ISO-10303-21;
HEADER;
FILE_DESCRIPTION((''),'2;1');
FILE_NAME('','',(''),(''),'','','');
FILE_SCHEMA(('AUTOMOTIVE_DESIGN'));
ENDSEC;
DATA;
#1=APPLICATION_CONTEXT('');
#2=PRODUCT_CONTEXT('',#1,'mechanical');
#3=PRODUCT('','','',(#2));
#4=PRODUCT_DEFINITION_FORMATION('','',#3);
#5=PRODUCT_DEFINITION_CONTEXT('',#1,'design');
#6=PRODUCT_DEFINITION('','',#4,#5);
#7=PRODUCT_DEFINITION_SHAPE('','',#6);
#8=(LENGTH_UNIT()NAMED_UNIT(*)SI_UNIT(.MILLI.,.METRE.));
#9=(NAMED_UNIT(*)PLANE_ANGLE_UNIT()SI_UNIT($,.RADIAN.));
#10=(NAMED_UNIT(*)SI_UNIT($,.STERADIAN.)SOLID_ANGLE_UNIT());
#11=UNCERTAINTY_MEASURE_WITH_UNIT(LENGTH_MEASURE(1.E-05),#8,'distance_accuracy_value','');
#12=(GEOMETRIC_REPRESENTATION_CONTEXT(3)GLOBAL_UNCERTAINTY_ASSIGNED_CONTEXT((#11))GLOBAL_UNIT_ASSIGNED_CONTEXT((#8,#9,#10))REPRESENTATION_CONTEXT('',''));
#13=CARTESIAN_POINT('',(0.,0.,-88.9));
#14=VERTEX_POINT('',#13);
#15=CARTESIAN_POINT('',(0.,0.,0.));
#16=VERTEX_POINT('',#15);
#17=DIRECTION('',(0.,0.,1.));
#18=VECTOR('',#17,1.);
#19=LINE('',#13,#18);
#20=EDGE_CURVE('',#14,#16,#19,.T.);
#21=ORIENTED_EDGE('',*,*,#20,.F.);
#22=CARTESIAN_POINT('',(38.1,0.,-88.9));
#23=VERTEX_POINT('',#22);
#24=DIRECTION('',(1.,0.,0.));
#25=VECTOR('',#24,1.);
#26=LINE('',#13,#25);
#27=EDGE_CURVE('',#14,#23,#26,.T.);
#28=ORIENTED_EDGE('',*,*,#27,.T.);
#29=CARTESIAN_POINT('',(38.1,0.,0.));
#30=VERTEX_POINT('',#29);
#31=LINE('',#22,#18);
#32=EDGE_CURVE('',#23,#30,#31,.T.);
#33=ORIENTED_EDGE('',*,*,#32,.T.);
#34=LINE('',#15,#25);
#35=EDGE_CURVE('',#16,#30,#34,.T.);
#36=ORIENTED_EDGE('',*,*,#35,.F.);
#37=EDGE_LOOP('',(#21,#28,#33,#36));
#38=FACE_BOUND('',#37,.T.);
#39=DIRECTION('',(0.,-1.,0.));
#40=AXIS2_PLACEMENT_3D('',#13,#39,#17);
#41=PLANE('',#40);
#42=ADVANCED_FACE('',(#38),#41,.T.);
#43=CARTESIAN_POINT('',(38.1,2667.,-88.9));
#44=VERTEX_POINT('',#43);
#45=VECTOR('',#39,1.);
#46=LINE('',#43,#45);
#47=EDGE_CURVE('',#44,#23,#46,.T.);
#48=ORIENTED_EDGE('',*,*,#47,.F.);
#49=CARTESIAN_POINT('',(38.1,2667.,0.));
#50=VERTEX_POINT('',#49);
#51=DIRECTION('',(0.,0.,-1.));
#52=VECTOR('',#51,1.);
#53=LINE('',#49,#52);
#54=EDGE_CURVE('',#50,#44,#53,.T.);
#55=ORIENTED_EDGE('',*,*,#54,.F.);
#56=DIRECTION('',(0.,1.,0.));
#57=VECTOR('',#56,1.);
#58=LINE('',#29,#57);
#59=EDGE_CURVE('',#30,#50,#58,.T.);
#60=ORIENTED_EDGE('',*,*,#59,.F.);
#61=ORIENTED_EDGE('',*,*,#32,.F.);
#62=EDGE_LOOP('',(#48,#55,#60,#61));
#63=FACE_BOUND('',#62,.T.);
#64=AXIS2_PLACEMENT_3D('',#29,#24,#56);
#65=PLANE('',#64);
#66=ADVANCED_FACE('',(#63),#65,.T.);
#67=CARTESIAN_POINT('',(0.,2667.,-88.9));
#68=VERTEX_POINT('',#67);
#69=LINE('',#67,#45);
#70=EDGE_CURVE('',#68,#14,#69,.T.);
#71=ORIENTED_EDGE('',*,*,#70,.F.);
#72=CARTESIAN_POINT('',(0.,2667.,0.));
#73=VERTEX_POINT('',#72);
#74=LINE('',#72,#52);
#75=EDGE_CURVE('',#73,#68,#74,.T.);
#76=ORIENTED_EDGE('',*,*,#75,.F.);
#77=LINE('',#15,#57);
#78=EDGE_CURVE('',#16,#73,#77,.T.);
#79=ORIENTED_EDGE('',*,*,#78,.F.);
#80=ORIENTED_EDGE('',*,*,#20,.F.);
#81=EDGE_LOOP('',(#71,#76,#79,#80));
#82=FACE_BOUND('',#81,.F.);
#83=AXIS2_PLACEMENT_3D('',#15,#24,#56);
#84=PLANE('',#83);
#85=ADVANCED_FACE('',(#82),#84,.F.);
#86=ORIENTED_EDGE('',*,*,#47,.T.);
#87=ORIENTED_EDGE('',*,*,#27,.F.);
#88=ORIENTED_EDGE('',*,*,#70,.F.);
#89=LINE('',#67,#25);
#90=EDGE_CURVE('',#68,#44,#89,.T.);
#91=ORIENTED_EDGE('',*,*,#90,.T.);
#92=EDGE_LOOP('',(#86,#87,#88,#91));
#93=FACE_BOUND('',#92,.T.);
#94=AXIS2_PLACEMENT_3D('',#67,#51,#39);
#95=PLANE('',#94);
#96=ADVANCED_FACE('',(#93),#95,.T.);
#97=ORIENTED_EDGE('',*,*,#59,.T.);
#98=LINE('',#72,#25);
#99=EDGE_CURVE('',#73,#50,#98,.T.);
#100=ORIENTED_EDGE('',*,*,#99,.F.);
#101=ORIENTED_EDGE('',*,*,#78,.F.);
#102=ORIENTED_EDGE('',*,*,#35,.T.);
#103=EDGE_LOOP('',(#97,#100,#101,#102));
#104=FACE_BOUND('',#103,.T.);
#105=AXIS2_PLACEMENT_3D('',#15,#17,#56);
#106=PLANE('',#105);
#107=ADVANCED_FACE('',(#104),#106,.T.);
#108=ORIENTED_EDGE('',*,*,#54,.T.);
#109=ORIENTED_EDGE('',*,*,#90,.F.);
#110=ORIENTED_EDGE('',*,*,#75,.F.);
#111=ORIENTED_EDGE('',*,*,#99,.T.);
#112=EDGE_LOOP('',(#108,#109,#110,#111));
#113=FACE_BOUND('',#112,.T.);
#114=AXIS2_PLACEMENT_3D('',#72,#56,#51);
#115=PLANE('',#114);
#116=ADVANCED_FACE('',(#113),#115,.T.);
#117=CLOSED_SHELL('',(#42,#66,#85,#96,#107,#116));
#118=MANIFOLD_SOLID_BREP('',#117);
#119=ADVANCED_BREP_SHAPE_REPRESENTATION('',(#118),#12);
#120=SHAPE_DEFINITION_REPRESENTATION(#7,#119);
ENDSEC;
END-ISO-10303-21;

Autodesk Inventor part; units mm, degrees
ref_plane "YZ Plane" through (0, 0, 0) normal (1, 0, 0) x (0, 1, 0)
ref_plane "XZ Plane" through (0, 0, 0) normal (0, 1, 0) x (-1, 0, 0)
ref_plane "XY Plane" through (0, 0, 0) normal (0, 0, 1) x (1, 0, 0)
sketch "Sketch1" plane through (0, 0, 0) normal (1, 0, 0) x (0, 1, 0)
  line L0 (0, 0) -> (2667, 0)
  line L1 (2667, 0) -> (2667, -88.9)
  line L2 (2667, -88.9) -> (0, -88.9)
  line L3 (0, -88.9) -> (0, 0)
  dimension "d0" = 2667
  dimension "d1" = 88.9
extrude "Extrusion1" add sketch "Sketch1" along normal blind 38.1
properties part number "8'9''x2x4"
